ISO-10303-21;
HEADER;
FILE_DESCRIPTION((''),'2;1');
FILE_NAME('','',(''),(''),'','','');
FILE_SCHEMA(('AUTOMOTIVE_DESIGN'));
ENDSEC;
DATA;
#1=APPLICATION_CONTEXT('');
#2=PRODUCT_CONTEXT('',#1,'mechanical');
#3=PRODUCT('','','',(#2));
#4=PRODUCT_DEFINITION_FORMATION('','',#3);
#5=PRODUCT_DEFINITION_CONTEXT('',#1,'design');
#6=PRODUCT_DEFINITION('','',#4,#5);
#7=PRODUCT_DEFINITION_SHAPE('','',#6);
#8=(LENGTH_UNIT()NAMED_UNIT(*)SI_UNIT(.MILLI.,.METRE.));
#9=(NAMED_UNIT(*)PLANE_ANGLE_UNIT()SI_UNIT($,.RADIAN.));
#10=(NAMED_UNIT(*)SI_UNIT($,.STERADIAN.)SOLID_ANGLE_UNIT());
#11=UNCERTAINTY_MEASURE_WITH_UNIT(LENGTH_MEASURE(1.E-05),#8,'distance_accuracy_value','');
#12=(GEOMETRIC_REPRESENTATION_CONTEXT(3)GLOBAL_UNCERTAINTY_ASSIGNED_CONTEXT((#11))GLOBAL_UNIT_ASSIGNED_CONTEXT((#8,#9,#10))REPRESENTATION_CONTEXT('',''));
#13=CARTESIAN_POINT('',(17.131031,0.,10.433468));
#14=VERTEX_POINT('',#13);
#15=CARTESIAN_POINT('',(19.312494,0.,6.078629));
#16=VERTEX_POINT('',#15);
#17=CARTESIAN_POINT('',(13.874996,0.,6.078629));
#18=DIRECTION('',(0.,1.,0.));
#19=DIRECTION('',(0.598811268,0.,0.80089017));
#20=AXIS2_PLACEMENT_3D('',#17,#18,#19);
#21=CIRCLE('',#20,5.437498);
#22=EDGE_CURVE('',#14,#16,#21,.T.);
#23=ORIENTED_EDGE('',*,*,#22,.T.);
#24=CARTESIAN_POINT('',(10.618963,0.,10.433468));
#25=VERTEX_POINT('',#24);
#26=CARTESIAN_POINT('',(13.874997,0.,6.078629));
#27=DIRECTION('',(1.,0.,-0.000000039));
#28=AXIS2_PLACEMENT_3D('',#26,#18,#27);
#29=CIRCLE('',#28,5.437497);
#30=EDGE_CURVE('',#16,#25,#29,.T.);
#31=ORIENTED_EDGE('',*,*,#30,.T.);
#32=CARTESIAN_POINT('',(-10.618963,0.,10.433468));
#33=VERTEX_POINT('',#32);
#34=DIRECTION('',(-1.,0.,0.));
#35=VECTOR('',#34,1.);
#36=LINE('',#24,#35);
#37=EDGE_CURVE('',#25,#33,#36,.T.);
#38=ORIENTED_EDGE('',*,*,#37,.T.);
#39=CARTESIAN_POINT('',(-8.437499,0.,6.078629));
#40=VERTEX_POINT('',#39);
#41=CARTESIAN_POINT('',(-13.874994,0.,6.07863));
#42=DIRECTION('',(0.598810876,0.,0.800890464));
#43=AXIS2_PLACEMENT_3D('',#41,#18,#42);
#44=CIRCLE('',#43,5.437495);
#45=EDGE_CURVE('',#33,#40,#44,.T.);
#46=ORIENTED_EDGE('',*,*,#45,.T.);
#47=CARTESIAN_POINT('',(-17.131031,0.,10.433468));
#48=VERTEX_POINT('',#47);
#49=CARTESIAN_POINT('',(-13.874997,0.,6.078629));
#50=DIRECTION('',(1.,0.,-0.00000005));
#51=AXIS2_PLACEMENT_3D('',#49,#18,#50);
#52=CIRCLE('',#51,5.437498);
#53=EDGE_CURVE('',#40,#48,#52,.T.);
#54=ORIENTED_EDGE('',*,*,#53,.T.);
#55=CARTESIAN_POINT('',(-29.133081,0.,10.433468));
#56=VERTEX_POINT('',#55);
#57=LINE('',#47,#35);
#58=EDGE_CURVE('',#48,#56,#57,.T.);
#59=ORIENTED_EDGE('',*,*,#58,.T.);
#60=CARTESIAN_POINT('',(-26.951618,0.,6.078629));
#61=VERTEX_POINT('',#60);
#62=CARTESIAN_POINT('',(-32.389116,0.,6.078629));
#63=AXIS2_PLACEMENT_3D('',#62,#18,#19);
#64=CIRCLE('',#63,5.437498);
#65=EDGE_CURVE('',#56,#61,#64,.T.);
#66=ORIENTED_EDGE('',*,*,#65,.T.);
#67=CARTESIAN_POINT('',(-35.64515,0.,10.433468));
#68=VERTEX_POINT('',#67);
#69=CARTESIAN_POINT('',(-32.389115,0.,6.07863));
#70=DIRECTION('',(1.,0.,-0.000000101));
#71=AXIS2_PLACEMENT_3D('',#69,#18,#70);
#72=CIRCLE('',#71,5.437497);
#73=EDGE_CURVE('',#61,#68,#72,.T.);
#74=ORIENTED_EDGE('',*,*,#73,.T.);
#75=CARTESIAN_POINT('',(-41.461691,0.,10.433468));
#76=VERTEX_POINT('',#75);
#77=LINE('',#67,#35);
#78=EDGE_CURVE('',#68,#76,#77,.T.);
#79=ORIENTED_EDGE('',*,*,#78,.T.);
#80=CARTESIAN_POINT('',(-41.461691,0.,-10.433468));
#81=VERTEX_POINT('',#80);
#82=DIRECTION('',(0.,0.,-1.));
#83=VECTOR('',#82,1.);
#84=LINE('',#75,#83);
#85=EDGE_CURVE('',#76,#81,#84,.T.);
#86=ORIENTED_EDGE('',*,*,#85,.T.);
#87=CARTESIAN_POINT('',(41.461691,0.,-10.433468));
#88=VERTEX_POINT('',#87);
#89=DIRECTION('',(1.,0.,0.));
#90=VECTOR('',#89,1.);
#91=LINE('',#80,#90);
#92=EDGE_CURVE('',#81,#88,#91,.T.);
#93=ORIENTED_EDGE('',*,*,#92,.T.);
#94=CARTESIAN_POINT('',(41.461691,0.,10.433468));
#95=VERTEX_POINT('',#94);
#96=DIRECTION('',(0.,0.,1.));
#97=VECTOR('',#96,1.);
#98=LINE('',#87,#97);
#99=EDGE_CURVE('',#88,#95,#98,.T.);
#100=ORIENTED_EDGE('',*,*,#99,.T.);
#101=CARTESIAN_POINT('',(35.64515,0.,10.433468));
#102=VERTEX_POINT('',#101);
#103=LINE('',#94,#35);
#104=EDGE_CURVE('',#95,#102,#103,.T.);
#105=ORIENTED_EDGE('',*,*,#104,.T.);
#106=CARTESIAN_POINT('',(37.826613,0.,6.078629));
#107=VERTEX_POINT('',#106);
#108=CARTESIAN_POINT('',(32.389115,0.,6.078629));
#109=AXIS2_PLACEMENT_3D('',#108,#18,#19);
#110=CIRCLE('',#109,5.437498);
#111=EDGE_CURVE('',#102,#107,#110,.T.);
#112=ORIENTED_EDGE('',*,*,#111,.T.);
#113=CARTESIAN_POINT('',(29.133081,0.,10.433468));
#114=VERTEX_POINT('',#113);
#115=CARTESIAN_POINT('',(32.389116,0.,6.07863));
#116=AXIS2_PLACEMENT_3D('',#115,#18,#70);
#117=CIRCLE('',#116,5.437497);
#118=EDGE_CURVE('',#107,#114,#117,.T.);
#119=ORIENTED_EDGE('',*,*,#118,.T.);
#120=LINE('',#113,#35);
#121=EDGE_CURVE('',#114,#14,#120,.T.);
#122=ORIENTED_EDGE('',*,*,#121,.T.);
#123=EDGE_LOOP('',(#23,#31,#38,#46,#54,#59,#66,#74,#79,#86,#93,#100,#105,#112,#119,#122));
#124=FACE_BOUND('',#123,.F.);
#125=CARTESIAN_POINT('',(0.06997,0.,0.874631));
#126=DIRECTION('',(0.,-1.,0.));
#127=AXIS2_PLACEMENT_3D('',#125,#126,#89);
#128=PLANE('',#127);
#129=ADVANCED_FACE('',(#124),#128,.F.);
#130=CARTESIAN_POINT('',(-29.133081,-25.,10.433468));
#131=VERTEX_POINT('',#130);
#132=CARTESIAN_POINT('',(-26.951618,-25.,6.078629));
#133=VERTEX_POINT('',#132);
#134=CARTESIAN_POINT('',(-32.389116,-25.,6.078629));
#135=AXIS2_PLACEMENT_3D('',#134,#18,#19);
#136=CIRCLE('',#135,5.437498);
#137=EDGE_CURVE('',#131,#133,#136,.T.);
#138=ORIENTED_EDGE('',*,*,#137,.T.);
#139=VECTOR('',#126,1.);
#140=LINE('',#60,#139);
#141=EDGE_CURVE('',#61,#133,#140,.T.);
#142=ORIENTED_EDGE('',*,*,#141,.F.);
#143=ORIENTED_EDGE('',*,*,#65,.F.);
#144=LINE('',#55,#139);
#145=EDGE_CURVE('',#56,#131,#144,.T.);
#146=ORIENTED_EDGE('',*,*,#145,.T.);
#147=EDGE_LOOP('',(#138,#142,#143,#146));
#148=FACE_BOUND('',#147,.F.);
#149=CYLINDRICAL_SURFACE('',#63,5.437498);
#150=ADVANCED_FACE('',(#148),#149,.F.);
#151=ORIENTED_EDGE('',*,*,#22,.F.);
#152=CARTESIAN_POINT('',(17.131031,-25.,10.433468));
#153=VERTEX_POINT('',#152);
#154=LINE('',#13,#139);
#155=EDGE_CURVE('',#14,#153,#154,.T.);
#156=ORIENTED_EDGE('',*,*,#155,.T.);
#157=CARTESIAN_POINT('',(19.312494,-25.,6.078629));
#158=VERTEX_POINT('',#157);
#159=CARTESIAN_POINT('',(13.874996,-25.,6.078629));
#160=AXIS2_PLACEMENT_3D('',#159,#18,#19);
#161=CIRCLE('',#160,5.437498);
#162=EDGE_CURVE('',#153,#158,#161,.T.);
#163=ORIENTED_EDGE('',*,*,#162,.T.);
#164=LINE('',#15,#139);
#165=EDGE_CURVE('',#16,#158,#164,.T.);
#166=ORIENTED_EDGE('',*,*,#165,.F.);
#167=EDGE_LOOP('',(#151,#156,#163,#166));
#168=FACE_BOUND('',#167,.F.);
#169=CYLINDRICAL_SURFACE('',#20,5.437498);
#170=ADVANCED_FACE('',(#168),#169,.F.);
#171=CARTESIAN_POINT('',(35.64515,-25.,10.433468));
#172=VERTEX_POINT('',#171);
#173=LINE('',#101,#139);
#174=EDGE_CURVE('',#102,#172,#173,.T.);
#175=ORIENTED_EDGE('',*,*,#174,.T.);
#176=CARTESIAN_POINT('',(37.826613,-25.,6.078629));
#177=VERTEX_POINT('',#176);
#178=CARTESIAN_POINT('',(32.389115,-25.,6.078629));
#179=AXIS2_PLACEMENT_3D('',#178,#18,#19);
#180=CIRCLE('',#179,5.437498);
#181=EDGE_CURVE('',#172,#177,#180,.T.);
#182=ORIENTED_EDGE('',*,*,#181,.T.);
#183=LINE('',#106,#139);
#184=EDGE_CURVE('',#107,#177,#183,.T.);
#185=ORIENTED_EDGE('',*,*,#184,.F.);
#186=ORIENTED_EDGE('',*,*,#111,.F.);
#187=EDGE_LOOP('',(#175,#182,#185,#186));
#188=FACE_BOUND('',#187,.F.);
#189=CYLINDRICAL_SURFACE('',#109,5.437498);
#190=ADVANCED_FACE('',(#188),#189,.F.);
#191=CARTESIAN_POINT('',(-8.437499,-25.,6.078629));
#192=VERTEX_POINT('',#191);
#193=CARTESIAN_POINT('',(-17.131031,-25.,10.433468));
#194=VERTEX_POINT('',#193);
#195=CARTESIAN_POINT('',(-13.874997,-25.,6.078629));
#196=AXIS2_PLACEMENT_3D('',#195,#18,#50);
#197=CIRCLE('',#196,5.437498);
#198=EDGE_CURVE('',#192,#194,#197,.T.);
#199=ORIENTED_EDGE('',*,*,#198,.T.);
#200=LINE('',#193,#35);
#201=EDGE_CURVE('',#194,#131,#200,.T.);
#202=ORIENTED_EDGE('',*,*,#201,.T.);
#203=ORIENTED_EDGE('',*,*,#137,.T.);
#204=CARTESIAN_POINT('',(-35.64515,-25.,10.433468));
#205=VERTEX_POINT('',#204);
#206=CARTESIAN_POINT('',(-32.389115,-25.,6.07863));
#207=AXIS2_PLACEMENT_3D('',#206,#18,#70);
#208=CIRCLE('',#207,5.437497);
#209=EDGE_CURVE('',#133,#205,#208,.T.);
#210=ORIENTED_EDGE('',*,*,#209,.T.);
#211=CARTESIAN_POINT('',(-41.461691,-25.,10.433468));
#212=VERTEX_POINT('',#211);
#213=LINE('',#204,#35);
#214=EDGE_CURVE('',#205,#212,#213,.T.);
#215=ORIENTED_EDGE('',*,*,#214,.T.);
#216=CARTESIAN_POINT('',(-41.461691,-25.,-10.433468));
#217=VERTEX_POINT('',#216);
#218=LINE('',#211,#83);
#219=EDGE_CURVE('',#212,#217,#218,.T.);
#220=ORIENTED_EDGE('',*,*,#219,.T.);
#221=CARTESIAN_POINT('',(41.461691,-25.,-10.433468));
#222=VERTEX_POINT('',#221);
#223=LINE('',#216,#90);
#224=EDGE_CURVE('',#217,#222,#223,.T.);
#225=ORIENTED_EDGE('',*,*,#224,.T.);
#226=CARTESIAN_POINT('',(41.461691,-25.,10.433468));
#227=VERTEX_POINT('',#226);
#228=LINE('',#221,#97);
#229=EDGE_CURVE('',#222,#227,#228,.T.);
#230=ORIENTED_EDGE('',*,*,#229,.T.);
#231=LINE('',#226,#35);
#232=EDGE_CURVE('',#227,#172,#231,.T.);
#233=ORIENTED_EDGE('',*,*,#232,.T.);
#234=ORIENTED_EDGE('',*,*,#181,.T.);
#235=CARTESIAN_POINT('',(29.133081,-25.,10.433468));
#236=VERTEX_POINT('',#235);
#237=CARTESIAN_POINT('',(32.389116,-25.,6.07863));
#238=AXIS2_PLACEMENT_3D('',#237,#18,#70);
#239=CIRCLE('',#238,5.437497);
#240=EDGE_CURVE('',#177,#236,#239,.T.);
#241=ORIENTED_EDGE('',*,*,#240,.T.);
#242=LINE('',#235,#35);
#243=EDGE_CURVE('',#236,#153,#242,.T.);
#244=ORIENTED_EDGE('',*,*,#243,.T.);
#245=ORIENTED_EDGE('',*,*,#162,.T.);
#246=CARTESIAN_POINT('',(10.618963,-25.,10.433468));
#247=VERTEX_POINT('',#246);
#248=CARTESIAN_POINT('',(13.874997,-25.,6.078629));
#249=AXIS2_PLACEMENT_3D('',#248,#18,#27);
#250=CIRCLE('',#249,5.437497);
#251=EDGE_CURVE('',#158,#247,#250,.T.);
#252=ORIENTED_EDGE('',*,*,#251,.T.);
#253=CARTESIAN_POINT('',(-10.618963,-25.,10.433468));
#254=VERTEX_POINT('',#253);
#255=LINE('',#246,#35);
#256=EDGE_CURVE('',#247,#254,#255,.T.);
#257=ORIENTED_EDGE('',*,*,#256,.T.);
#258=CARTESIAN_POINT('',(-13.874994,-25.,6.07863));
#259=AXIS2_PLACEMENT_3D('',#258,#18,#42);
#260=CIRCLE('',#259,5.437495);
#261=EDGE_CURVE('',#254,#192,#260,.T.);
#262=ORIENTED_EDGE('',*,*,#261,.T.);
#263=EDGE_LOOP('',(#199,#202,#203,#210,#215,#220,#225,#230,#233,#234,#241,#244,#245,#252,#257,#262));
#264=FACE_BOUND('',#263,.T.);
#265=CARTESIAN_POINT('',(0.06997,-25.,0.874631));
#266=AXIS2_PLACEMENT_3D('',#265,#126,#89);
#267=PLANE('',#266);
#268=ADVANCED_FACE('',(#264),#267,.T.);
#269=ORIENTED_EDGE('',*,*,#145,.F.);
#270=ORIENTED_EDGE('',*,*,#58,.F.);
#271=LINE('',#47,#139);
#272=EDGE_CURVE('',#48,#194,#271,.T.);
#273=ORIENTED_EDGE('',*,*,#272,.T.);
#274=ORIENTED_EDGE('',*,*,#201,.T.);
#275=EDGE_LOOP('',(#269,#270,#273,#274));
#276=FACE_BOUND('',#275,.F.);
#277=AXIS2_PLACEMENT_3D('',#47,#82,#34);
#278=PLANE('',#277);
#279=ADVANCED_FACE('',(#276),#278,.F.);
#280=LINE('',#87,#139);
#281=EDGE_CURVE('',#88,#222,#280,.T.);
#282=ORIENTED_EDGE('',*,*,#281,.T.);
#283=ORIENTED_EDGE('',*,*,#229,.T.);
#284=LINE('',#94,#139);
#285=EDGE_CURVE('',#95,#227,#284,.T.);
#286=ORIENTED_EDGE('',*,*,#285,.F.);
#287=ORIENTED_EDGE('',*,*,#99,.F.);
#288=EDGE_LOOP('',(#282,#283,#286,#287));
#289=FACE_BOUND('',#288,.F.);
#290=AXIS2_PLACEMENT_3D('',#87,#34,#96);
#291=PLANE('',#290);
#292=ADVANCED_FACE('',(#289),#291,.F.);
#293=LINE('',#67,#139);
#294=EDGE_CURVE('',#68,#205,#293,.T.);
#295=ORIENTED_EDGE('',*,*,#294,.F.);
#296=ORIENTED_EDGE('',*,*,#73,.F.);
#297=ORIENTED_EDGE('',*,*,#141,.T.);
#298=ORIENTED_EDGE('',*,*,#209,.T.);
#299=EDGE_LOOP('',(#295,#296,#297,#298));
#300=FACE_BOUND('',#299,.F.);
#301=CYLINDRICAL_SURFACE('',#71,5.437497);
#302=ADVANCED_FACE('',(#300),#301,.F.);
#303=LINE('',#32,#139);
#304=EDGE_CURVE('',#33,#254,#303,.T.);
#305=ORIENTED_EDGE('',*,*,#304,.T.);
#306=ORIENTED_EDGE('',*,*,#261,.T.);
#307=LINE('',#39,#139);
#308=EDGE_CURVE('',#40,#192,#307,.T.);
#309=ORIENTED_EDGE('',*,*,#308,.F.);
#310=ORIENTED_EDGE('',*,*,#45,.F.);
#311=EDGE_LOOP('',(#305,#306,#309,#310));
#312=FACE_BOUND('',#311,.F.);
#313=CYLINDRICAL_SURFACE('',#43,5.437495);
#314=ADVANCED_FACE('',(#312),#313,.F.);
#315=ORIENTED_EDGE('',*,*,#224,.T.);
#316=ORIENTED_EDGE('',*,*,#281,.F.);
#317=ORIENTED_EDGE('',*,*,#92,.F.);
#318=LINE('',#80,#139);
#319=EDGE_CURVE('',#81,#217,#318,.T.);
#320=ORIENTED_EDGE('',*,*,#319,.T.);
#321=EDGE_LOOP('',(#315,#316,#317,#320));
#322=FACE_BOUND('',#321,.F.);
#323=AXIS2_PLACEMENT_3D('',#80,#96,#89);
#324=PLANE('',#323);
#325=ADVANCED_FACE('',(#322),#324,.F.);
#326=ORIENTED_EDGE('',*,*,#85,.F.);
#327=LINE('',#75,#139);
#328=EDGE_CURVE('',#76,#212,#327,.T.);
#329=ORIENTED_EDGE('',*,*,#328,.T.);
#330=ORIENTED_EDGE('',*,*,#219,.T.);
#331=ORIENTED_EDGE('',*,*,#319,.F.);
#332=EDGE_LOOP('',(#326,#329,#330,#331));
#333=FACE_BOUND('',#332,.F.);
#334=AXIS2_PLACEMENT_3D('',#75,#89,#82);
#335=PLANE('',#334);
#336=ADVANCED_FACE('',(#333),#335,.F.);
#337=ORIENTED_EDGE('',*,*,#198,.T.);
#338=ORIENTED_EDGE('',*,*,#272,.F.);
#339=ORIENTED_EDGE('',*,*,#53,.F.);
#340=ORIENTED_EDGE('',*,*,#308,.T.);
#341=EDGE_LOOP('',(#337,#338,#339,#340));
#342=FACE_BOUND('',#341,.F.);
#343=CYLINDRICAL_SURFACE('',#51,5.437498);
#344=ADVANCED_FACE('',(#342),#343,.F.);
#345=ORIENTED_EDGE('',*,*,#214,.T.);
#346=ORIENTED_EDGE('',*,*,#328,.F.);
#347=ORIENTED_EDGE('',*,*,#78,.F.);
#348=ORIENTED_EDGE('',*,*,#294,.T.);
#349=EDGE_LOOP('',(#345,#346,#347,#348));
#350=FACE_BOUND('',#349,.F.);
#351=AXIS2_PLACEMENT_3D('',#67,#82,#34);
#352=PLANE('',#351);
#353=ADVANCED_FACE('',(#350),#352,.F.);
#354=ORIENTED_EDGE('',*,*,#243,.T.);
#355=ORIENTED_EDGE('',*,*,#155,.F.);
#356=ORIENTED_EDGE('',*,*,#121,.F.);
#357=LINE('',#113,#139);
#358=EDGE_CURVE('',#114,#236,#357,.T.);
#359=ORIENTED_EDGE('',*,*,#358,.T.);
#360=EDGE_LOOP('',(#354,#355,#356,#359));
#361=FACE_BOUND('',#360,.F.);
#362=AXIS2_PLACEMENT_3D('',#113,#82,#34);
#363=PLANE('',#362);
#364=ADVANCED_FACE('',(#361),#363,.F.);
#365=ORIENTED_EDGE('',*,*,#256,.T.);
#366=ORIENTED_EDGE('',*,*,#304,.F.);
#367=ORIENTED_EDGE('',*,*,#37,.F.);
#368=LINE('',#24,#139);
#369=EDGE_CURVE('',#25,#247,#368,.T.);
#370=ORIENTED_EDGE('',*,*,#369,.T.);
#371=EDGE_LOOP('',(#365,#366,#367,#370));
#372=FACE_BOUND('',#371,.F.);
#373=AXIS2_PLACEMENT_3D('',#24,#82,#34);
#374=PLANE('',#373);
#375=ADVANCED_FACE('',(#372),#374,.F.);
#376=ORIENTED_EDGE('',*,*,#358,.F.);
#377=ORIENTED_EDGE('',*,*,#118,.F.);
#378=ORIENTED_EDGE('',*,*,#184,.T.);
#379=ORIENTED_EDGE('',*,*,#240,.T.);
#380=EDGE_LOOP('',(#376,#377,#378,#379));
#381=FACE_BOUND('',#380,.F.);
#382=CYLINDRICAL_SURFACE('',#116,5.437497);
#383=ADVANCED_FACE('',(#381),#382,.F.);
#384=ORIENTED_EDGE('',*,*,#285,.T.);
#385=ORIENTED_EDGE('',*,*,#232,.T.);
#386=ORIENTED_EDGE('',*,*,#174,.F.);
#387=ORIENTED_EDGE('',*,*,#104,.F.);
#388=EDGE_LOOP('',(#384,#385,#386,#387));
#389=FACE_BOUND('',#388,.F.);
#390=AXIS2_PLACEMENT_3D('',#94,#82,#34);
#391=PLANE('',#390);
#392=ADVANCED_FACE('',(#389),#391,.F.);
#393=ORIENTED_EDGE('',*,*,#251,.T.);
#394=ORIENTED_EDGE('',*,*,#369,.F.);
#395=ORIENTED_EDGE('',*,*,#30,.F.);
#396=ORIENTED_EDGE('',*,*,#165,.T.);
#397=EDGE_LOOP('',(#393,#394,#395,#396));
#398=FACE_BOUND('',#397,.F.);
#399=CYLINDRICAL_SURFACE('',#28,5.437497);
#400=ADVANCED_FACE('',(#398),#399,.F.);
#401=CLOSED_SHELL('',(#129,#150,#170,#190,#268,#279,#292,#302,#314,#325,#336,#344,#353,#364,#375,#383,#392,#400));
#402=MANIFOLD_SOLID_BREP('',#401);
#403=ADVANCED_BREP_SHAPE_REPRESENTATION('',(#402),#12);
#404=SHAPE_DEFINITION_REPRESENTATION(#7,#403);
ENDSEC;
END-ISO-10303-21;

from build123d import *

# Parameters (mm, degrees)
F1_DEPTH = 25


with BuildPart() as f1:
    # F0 (on Front) → F1 (new body)
    with BuildSketch(Plane.XZ):
        with BuildLine():
            Line((-41.461691, -10.433468), (41.461691, -10.433468))
            Line((41.461691, -10.433468), (41.461691, 10.433468))
            Line((41.461691, 10.433468), (35.64515, 10.433468))
            ThreePointArc((35.64515, 10.433468), (37.250754, 8.513963), (37.826613, 6.078629))
            ThreePointArc((37.826613, 6.078629), (29.953782, 1.216991), (29.133081, 10.433468))
            Line((29.133081, 10.433468), (17.131031, 10.433468))
            ThreePointArc((17.131031, 10.433468), (18.736635, 8.513963), (19.312494, 6.078629))
            ThreePointArc((19.312494, 6.078629), (11.439663, 1.216991), (10.618963, 10.433468))
            Line((10.618963, 10.433468), (-10.618963, 10.433468))
            ThreePointArc((-10.618963, 10.433468), (-9.013358, 8.513963), (-8.437499, 6.078629))
            ThreePointArc((-8.437499, 6.078629), (-16.310331, 1.216991), (-17.131031, 10.433468))
            Line((-17.131031, 10.433468), (-29.133081, 10.433468))
            ThreePointArc((-29.133081, 10.433468), (-27.527477, 8.513963), (-26.951618, 6.078629))
            ThreePointArc((-26.951618, 6.078629), (-34.824449, 1.216991), (-35.64515, 10.433468))
            Line((-35.64515, 10.433468), (-41.461691, 10.433468))
            Line((-41.461691, 10.433468), (-41.461691, -10.433468))
        make_face()
    extrude(amount=F1_DEPTH)


solid = f1.part
